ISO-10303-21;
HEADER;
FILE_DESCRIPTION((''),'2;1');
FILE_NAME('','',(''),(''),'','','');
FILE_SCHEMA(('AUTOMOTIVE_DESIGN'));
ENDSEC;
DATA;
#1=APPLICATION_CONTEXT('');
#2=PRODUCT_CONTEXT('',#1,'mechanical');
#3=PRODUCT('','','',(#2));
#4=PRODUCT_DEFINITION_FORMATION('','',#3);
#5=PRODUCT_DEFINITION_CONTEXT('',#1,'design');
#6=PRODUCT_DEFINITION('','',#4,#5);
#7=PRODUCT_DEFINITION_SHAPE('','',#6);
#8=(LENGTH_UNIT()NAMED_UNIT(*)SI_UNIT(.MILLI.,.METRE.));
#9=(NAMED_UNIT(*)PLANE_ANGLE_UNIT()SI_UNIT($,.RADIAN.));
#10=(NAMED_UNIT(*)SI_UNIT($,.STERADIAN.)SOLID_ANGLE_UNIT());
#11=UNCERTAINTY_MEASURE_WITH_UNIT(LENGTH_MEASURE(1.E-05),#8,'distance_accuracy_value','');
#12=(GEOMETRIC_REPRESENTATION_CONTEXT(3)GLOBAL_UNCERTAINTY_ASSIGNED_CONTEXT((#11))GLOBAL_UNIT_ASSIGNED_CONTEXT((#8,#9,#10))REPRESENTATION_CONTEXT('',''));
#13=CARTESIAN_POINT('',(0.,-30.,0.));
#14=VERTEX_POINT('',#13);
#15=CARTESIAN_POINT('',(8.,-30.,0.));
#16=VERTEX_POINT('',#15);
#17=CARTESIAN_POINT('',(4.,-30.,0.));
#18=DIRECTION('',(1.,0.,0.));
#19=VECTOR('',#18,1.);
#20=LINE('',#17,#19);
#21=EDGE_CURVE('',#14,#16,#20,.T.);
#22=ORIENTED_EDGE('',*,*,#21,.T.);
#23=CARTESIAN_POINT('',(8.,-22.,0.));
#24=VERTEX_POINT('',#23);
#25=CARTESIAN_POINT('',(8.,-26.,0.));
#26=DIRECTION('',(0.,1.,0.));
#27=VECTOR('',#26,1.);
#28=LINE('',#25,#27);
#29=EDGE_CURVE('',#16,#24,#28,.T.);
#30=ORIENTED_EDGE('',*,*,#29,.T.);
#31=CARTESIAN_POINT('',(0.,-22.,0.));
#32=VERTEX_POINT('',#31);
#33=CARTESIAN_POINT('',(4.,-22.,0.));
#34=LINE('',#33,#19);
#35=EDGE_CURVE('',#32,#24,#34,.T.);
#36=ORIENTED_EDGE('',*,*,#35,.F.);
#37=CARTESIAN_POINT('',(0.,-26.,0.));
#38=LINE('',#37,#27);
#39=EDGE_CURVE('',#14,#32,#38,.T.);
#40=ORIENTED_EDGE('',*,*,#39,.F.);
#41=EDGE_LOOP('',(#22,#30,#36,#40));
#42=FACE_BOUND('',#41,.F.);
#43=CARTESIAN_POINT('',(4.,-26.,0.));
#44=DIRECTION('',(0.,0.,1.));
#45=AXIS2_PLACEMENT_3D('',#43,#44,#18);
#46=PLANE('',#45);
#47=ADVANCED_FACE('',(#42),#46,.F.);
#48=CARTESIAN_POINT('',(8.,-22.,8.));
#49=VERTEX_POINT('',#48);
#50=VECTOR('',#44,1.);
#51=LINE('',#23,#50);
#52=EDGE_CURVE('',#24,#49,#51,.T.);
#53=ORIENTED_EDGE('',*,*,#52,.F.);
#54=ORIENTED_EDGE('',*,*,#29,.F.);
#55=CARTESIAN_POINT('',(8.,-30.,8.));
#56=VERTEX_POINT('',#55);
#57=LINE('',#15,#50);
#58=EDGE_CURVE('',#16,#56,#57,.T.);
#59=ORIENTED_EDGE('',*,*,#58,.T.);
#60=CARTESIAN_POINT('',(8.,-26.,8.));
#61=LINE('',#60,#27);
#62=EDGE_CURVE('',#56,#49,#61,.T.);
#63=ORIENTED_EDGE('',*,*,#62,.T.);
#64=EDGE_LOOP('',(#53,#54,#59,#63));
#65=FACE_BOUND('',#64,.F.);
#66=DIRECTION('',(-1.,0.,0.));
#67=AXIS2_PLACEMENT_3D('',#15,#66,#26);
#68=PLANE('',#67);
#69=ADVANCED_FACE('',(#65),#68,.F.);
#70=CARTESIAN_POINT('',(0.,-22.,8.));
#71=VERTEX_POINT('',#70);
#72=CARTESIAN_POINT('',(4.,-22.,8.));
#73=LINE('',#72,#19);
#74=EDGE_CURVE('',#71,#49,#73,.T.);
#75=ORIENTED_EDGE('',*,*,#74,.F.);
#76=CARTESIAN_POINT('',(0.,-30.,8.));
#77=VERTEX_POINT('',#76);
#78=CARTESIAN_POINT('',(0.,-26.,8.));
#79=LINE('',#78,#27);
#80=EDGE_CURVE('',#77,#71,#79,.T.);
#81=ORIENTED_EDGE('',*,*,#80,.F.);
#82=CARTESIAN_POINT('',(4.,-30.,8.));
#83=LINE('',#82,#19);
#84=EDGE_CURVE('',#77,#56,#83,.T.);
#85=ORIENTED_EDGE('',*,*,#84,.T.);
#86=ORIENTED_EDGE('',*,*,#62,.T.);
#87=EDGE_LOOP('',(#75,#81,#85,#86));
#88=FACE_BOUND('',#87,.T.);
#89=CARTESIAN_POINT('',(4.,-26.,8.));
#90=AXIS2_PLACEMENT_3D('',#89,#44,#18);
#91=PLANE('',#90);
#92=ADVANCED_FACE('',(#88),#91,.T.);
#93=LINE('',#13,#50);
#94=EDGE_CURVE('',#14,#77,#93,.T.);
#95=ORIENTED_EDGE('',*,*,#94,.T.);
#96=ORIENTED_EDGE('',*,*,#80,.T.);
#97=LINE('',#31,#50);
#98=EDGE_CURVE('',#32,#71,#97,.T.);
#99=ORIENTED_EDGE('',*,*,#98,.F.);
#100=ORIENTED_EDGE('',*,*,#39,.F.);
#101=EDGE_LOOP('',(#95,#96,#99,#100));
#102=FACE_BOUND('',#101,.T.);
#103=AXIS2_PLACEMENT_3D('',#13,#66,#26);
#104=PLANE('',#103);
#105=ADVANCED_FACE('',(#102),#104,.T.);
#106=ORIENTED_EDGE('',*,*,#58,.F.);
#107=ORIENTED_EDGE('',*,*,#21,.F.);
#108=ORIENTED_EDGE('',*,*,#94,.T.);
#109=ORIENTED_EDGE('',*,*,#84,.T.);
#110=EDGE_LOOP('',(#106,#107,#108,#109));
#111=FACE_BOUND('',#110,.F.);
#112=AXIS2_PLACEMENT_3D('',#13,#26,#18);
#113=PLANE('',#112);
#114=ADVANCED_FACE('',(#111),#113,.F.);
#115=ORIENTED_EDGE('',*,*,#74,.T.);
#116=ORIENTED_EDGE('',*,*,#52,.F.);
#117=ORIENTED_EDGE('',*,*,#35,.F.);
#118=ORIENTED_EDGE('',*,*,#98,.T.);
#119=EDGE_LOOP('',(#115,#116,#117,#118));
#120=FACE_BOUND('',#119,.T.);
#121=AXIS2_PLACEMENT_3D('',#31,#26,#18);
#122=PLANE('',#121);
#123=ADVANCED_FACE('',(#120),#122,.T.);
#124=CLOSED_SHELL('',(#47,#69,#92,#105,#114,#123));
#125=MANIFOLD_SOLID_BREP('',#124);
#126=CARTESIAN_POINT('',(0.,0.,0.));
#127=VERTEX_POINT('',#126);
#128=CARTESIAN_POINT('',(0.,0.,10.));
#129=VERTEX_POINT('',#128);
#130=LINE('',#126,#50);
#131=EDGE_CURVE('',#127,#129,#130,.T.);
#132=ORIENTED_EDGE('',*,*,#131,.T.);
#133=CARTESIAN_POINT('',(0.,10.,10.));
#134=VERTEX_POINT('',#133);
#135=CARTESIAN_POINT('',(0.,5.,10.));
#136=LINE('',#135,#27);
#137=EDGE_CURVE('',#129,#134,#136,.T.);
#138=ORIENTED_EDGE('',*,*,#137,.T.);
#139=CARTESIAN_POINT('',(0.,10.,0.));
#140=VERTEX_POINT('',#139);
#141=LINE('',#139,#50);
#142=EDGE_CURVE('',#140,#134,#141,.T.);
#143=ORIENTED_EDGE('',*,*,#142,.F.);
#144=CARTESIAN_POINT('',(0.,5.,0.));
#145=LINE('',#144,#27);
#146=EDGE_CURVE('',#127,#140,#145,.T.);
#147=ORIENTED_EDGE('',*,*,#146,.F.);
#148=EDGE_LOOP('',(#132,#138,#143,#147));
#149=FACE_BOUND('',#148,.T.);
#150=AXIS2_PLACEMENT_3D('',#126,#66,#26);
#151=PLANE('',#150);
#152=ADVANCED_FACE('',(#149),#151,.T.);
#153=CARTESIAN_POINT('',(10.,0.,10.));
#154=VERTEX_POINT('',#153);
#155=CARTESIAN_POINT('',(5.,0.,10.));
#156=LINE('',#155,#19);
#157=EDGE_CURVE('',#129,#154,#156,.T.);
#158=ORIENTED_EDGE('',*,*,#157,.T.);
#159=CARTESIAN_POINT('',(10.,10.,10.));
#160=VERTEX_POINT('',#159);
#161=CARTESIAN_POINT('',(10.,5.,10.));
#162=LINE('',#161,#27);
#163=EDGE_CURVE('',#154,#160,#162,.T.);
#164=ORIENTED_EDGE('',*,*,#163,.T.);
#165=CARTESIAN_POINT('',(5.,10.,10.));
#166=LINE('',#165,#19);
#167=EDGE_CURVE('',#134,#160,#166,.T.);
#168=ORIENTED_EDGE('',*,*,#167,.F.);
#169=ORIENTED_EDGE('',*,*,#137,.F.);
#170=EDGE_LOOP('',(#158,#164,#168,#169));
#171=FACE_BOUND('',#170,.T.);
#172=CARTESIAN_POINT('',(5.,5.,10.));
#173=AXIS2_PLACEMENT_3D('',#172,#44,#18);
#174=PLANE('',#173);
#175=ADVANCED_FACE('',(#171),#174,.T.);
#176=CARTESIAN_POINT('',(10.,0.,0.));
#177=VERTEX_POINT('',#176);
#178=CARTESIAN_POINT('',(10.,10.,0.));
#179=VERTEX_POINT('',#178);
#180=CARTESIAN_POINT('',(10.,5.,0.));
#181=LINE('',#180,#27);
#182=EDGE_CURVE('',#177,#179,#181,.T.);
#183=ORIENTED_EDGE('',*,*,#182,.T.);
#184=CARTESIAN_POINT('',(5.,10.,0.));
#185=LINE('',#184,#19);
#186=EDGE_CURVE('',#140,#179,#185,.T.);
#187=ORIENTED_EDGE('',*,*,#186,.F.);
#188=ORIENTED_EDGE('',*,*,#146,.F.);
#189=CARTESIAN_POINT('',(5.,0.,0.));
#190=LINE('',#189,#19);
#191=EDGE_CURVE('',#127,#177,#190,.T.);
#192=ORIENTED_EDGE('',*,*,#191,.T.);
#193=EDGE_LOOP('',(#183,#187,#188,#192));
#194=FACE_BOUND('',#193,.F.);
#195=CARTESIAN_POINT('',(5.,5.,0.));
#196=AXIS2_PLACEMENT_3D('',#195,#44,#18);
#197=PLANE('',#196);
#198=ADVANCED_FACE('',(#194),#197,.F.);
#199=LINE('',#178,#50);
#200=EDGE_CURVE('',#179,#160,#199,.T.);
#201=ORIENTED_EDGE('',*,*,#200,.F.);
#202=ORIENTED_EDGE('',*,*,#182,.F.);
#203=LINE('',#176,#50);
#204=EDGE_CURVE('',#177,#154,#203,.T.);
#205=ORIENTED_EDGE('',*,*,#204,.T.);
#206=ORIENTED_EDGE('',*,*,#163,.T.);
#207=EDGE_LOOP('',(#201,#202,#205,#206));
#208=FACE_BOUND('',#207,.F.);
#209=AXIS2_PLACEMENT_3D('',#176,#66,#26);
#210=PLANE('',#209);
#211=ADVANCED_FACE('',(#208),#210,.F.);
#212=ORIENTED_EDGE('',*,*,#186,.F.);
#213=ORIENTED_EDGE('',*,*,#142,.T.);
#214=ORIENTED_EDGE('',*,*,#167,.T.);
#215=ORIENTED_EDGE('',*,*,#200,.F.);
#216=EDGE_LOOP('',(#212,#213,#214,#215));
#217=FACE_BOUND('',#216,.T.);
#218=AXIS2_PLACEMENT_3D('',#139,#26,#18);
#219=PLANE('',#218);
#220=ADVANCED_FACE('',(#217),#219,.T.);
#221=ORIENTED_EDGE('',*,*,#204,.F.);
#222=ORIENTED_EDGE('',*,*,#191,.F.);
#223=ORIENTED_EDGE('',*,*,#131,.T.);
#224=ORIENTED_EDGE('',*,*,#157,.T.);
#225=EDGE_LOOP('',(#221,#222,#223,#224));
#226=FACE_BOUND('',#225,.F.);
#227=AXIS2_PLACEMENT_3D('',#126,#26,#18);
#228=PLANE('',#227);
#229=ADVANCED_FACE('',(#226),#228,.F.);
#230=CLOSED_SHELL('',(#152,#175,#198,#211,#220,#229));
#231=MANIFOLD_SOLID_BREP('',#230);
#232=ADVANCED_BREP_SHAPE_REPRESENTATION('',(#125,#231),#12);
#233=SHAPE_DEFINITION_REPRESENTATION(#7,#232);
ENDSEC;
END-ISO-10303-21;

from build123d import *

# Parameters (mm, degrees)
BOX008_W     = 8
BOX008_H     = 8
BOX008_DEPTH = 8
BOX_W        = 10
BOX_H        = 10
BOX_DEPTH    = 10


with BuildPart() as cube008:
    # Box008 → Box008 (new body)
    with BuildSketch(Plane(origin=(0, -30, 0), x_dir=(1, 0, 0), z_dir=(0, 0, 1))):
        with Locations((4, 4)):
            Rectangle(BOX008_W, BOX008_H)
    extrude(amount=BOX008_DEPTH)


with BuildPart() as fusion:
    # Box → Box (new body)
    with BuildSketch(Plane.XY):
        with Locations((5, 5)):
            Rectangle(BOX_W, BOX_H)
    extrude(amount=BOX_DEPTH)

    # Fusion: union Cube008
    add(cube008.part)


solid = fusion.part
